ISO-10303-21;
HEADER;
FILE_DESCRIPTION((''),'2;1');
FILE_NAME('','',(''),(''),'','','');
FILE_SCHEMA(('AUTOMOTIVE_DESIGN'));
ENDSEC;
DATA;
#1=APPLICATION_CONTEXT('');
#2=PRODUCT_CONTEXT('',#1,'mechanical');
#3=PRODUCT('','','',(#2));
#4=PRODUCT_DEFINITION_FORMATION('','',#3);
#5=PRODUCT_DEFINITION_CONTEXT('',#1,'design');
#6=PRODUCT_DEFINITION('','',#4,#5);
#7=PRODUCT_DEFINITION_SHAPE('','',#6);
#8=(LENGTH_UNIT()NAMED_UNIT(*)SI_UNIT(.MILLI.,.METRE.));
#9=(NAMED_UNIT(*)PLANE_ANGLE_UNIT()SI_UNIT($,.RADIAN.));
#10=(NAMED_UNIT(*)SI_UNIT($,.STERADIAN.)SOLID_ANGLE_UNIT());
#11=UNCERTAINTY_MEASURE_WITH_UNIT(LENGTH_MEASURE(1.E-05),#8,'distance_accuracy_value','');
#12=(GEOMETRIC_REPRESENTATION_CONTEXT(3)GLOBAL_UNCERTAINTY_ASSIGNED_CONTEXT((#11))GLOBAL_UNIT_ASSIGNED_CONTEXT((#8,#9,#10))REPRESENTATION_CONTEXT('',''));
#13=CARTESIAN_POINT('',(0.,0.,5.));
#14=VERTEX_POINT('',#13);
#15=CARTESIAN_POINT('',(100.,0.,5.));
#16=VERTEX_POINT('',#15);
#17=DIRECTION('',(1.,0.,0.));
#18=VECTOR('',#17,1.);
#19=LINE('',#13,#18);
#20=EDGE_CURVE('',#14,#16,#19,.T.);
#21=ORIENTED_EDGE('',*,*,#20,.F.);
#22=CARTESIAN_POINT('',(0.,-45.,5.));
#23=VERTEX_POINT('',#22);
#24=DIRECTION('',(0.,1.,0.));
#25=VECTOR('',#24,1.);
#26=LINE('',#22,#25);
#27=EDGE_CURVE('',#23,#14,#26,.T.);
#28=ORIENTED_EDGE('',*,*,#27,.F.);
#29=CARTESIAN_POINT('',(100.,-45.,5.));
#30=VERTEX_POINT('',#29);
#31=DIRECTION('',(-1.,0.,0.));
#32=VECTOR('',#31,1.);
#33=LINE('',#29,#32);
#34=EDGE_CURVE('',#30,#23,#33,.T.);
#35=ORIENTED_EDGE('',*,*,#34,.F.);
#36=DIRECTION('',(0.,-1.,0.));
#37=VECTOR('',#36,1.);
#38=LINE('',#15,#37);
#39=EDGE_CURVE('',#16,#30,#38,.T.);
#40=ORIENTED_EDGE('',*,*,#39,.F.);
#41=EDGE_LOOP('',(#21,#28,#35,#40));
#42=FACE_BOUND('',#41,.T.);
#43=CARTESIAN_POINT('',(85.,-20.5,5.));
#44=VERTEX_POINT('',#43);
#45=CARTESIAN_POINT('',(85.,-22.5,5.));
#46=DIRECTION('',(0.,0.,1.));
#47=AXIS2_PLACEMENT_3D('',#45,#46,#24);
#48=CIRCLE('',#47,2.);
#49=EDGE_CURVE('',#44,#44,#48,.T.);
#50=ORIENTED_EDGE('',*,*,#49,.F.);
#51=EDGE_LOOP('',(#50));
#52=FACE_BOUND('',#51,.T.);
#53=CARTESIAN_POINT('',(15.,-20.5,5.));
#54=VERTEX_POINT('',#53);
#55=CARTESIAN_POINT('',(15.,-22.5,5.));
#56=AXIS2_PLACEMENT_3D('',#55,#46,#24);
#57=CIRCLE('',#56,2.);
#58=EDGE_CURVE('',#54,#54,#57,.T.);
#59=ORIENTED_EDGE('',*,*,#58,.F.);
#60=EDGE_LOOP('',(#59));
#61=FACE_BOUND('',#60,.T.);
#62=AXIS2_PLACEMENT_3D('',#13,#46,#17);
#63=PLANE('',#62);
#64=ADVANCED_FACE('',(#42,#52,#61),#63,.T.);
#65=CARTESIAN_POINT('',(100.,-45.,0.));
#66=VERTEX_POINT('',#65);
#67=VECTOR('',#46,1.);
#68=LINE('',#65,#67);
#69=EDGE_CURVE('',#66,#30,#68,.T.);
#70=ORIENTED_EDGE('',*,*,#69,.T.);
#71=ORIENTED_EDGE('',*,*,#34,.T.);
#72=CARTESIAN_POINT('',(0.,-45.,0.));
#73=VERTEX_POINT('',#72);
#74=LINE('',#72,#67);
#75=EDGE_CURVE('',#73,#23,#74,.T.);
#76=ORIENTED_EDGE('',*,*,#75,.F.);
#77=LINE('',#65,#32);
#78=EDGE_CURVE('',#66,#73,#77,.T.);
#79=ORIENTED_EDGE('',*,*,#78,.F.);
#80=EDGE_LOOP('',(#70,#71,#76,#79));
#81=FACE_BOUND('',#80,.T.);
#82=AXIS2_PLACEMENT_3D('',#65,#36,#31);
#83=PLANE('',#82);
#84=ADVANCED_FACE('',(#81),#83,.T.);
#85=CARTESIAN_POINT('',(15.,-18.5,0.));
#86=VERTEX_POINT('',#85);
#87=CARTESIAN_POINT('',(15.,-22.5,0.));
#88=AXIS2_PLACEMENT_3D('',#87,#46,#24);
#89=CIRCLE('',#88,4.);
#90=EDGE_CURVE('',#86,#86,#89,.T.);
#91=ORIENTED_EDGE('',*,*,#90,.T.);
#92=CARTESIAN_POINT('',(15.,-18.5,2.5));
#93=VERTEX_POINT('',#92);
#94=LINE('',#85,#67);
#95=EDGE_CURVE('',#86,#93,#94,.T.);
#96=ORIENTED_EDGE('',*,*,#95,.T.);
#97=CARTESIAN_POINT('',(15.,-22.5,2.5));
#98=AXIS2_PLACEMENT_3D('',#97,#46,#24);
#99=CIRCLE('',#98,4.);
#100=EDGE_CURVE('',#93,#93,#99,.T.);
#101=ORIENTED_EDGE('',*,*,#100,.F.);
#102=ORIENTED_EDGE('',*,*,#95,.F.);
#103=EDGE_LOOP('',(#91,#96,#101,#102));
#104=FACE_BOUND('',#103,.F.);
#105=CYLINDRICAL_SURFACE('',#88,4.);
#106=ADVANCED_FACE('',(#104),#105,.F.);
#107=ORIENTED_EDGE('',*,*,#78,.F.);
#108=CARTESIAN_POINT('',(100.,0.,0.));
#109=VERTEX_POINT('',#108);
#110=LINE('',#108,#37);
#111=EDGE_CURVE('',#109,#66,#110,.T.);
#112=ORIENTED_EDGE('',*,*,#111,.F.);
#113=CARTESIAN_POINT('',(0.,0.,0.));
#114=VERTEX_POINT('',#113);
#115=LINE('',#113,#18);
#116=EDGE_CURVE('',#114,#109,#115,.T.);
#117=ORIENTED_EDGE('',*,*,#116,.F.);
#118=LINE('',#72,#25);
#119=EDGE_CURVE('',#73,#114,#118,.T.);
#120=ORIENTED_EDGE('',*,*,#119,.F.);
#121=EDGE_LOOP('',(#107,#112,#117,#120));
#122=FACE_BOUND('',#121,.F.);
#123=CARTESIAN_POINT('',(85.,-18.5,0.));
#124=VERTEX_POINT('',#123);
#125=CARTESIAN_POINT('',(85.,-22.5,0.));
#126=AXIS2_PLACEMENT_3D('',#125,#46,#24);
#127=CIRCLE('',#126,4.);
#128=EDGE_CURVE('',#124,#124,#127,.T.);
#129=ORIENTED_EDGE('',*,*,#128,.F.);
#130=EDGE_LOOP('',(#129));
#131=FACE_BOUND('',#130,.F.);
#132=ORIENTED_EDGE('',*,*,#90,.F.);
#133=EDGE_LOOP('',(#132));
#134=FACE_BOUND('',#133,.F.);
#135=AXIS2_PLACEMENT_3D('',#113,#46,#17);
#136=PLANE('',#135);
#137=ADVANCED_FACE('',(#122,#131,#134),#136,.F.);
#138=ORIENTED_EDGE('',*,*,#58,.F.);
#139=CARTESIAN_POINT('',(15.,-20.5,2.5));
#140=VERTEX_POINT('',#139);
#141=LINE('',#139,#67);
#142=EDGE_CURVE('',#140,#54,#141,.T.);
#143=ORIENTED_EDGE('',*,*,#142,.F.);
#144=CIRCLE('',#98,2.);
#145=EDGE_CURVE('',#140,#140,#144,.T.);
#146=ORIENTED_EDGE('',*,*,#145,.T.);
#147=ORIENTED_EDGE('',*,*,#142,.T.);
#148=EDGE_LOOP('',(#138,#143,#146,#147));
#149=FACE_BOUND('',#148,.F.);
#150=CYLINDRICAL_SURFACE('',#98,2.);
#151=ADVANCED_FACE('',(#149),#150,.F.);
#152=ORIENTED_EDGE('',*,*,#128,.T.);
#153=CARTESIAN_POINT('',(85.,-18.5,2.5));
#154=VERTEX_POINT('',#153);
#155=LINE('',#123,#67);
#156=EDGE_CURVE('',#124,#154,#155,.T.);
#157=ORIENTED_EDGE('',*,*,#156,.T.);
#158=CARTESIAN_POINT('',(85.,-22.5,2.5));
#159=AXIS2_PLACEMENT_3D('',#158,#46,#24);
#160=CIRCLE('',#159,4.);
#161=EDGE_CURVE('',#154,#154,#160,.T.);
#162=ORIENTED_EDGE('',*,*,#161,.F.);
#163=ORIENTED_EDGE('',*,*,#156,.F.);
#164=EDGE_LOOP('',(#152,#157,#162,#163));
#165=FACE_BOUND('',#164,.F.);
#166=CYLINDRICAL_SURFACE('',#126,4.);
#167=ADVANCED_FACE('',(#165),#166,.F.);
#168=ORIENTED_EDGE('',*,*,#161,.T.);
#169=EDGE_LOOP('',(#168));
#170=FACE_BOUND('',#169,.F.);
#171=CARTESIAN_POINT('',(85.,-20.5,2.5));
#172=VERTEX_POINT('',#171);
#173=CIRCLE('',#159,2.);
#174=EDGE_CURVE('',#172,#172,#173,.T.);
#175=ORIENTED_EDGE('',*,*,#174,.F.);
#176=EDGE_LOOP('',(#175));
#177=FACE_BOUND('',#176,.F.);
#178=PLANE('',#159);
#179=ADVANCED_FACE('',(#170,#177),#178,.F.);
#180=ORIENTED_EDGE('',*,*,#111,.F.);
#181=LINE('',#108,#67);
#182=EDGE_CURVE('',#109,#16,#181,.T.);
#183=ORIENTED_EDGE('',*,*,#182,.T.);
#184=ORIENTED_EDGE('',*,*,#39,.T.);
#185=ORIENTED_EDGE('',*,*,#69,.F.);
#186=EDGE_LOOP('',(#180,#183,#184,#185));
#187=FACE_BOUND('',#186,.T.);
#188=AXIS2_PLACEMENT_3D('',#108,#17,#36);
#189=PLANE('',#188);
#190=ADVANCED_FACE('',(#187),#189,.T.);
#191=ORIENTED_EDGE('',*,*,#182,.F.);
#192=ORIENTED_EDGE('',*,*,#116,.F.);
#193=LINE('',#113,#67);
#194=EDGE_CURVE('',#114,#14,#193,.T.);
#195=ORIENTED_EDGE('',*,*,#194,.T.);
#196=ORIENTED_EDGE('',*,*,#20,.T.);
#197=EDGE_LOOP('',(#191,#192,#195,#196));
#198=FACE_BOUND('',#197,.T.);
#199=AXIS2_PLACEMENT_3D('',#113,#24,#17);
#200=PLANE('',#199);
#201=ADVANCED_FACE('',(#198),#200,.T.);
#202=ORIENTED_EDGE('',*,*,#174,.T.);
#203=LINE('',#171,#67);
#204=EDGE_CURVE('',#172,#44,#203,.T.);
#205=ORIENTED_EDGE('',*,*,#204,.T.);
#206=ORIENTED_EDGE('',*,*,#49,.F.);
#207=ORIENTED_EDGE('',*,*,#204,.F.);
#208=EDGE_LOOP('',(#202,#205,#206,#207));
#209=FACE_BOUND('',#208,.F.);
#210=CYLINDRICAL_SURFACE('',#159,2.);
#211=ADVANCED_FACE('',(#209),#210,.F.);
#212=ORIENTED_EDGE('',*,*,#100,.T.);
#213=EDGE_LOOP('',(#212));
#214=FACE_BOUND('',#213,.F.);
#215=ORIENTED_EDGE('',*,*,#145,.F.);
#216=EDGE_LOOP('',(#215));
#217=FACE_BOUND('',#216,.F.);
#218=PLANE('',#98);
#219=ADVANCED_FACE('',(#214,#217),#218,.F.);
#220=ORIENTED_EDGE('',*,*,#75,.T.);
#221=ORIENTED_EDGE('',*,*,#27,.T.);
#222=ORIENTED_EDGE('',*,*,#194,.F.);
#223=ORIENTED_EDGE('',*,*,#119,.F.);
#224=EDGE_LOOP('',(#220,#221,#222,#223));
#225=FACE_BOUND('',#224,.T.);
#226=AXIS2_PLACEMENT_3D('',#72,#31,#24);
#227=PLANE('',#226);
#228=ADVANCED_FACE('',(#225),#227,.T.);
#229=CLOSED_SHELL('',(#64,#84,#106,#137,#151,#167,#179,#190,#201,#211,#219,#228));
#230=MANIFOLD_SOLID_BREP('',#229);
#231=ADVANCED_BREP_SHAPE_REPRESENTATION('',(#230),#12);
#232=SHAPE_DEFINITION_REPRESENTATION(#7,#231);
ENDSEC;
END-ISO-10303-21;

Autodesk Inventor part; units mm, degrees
ref_plane "YZ Plane" through (0, 0, 0) normal (1, 0, 0) x (0, 1, 0)
ref_plane "XZ Plane" through (0, 0, 0) normal (0, 1, 0) x (-1, 0, 0)
ref_plane "XY Plane" through (0, 0, 0) normal (0, 0, 1) x (1, 0, 0)
sketch "Sketch1" plane through (0, 0, 0) normal (0, 0, 1) x (1, 0, 0)
  line L0 (0, 0) -> (100, 0)
  line L1 (100, 0) -> (100, -45)
  line L2 (100, -45) -> (0, -45)
  line L3 (0, -45) -> (0, 0)
  dimension "d0" = 100
  dimension "d1" = 45
extrude "Extrusion1" add sketch "Sketch1" along normal blind 5
sketch "Sketch2" plane through (0, 0, 0) normal (0, 0, -1) x (-1, 0, 0)
  point P0 (0, 0)
  point P1 (-15, -22.5)
  point P2 (-85, -22.5)
  dimension "d4" = 70
  dimension "d5" = 15
  dimension "d6" = 22.5
hole "Hole1" at (15, -22.5, 0) at (85, -22.5, 0) direction (0, 0, 1) diameter 4 depth 5 tip angle 118 counterbore diameter 8 counterbore depth 2.5
properties part number "as3"
